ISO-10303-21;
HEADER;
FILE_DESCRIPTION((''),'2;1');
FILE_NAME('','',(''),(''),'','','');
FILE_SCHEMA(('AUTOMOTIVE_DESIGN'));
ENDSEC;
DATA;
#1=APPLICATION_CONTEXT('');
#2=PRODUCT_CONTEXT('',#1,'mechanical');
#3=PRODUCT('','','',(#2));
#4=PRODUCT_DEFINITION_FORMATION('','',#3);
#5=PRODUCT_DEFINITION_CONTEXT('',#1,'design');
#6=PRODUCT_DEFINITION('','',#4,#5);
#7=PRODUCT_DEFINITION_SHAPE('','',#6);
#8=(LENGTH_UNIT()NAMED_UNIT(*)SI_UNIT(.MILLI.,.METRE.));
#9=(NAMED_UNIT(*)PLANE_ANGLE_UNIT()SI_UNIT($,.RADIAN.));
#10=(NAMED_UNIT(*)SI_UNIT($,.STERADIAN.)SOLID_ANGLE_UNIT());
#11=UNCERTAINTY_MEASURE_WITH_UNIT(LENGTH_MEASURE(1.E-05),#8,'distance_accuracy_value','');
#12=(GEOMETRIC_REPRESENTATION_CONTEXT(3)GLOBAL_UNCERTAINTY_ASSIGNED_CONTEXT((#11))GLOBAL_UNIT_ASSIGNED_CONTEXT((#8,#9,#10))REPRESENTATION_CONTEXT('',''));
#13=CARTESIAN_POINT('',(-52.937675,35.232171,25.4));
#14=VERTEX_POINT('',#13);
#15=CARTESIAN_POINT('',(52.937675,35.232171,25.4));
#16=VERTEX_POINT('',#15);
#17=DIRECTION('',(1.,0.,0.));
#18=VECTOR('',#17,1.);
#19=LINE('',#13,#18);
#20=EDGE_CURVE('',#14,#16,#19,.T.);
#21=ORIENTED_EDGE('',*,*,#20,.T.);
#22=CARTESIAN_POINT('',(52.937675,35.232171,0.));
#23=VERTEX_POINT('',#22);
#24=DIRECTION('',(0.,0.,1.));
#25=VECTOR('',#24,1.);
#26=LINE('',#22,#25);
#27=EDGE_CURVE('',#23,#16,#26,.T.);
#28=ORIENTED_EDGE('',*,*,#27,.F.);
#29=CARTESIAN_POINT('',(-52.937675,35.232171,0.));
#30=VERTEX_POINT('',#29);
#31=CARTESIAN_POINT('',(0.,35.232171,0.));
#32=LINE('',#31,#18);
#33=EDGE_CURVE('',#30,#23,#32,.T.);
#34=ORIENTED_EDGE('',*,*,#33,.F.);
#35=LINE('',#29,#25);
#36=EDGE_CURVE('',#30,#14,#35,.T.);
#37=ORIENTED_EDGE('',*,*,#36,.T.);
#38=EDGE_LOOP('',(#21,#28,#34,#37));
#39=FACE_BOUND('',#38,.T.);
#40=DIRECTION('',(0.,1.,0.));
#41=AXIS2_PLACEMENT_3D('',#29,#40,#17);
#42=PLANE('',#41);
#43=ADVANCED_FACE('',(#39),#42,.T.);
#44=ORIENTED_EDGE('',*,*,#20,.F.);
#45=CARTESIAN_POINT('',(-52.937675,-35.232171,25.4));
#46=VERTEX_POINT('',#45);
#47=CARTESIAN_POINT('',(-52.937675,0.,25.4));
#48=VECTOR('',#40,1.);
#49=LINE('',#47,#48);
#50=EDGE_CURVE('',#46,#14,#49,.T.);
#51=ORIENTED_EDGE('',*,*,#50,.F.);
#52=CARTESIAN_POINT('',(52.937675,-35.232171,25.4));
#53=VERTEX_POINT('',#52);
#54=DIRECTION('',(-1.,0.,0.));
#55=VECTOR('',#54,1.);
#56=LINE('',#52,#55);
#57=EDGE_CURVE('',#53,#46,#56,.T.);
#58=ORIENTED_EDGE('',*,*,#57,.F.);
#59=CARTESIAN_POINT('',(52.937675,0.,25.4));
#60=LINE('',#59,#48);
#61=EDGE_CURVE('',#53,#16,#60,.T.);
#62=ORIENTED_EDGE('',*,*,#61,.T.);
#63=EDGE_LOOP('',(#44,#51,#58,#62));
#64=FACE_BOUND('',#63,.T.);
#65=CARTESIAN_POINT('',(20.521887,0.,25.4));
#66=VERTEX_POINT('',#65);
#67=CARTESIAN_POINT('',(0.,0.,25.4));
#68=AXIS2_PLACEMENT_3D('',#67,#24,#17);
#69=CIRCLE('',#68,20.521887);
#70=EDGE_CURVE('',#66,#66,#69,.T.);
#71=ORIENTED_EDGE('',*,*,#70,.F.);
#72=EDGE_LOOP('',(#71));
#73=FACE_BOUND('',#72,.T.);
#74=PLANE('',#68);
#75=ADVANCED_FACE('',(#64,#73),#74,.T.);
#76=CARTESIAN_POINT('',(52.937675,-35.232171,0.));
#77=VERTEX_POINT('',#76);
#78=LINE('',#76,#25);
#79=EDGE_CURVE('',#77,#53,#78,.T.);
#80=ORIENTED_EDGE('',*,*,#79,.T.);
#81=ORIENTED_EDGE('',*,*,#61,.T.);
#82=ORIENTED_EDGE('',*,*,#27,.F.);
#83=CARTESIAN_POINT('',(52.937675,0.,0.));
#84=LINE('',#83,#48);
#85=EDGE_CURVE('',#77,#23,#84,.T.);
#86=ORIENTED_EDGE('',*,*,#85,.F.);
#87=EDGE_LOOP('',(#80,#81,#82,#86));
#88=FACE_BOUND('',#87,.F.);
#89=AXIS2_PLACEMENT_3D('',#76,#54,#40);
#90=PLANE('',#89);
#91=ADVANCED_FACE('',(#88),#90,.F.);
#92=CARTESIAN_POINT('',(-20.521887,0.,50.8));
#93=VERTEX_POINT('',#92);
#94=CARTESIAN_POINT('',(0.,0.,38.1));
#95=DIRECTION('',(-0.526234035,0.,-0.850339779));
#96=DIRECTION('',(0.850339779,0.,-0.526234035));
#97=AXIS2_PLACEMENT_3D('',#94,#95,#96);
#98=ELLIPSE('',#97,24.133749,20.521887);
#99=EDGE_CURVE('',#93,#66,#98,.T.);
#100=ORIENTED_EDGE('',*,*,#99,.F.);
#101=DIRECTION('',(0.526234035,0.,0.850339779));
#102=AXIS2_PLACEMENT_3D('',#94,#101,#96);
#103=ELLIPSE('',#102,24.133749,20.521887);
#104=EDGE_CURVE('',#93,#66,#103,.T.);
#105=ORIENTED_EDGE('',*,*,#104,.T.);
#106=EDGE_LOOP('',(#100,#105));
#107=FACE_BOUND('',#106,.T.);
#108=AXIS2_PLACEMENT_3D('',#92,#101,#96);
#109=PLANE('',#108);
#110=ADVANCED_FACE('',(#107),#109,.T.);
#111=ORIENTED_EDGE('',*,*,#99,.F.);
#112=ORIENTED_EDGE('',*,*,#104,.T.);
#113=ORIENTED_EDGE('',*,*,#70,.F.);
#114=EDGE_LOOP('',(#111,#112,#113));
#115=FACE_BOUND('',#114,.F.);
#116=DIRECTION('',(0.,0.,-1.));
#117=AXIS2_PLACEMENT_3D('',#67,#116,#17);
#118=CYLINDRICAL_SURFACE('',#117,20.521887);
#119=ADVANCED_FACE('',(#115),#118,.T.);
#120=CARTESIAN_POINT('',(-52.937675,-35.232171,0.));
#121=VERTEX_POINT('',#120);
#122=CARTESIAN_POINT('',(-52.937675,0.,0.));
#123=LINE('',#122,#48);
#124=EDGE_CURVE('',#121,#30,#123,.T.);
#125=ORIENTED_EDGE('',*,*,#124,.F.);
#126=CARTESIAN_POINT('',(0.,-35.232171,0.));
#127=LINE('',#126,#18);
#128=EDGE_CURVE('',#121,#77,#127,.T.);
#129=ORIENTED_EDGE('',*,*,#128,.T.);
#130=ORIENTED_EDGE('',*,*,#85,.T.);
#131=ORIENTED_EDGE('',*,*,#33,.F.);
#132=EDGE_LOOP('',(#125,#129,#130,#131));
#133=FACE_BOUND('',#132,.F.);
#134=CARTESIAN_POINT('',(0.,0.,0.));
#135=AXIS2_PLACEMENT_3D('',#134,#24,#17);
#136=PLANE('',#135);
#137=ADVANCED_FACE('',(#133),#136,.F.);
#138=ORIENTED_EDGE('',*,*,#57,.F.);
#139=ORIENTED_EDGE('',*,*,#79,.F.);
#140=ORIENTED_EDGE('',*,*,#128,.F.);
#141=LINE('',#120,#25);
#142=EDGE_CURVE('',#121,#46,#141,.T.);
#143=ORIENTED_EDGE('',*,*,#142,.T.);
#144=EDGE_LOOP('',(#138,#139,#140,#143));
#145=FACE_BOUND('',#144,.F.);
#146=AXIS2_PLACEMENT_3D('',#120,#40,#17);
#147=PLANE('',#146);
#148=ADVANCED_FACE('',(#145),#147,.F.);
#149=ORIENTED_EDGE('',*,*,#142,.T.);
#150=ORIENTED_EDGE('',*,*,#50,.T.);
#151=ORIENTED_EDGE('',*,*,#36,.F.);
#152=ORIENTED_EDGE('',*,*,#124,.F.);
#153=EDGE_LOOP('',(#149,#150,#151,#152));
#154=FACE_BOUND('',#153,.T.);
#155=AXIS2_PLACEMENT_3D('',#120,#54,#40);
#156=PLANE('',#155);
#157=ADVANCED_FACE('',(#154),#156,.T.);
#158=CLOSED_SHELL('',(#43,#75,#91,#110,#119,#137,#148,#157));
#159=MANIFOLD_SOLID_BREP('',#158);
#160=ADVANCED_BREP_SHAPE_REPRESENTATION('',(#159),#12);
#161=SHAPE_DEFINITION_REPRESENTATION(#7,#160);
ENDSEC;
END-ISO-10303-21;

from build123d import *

# Parameters (mm, degrees)
F0_W          = 105.8753505349
F0_H          = 70.4643428326
F1_DEPTH      = 25.4
F2_R          = 20.5218866045
F3_DEPTH      = 25.4
F5_DEPTH      = 35.2331714163
F5_DEPTH_BACK = 35.2331714163


with BuildPart() as f1:
    # F0 (on Top) → F1 (new body)
    with BuildSketch(Plane.XY):
        Rectangle(F0_W, F0_H)
    extrude(amount=F1_DEPTH)

    # F2 (on face) → F3 (join)
    with BuildSketch(Plane.XY.offset(25.4)):
        Circle(F2_R)
    extrude(amount=F3_DEPTH)

    # F4 (on Front) → F5 (cut, two sides)
    with BuildSketch(Plane.XZ) as f5_sk:
        Polygon((20.5218866045, 50.8), (-20.5218866045, 50.8), (20.5218866045, 25.4), align=None)
    extrude(amount=-F5_DEPTH, mode=Mode.SUBTRACT)
    extrude(f5_sk.sketch, amount=F5_DEPTH_BACK, mode=Mode.SUBTRACT)


solid = f1.part
